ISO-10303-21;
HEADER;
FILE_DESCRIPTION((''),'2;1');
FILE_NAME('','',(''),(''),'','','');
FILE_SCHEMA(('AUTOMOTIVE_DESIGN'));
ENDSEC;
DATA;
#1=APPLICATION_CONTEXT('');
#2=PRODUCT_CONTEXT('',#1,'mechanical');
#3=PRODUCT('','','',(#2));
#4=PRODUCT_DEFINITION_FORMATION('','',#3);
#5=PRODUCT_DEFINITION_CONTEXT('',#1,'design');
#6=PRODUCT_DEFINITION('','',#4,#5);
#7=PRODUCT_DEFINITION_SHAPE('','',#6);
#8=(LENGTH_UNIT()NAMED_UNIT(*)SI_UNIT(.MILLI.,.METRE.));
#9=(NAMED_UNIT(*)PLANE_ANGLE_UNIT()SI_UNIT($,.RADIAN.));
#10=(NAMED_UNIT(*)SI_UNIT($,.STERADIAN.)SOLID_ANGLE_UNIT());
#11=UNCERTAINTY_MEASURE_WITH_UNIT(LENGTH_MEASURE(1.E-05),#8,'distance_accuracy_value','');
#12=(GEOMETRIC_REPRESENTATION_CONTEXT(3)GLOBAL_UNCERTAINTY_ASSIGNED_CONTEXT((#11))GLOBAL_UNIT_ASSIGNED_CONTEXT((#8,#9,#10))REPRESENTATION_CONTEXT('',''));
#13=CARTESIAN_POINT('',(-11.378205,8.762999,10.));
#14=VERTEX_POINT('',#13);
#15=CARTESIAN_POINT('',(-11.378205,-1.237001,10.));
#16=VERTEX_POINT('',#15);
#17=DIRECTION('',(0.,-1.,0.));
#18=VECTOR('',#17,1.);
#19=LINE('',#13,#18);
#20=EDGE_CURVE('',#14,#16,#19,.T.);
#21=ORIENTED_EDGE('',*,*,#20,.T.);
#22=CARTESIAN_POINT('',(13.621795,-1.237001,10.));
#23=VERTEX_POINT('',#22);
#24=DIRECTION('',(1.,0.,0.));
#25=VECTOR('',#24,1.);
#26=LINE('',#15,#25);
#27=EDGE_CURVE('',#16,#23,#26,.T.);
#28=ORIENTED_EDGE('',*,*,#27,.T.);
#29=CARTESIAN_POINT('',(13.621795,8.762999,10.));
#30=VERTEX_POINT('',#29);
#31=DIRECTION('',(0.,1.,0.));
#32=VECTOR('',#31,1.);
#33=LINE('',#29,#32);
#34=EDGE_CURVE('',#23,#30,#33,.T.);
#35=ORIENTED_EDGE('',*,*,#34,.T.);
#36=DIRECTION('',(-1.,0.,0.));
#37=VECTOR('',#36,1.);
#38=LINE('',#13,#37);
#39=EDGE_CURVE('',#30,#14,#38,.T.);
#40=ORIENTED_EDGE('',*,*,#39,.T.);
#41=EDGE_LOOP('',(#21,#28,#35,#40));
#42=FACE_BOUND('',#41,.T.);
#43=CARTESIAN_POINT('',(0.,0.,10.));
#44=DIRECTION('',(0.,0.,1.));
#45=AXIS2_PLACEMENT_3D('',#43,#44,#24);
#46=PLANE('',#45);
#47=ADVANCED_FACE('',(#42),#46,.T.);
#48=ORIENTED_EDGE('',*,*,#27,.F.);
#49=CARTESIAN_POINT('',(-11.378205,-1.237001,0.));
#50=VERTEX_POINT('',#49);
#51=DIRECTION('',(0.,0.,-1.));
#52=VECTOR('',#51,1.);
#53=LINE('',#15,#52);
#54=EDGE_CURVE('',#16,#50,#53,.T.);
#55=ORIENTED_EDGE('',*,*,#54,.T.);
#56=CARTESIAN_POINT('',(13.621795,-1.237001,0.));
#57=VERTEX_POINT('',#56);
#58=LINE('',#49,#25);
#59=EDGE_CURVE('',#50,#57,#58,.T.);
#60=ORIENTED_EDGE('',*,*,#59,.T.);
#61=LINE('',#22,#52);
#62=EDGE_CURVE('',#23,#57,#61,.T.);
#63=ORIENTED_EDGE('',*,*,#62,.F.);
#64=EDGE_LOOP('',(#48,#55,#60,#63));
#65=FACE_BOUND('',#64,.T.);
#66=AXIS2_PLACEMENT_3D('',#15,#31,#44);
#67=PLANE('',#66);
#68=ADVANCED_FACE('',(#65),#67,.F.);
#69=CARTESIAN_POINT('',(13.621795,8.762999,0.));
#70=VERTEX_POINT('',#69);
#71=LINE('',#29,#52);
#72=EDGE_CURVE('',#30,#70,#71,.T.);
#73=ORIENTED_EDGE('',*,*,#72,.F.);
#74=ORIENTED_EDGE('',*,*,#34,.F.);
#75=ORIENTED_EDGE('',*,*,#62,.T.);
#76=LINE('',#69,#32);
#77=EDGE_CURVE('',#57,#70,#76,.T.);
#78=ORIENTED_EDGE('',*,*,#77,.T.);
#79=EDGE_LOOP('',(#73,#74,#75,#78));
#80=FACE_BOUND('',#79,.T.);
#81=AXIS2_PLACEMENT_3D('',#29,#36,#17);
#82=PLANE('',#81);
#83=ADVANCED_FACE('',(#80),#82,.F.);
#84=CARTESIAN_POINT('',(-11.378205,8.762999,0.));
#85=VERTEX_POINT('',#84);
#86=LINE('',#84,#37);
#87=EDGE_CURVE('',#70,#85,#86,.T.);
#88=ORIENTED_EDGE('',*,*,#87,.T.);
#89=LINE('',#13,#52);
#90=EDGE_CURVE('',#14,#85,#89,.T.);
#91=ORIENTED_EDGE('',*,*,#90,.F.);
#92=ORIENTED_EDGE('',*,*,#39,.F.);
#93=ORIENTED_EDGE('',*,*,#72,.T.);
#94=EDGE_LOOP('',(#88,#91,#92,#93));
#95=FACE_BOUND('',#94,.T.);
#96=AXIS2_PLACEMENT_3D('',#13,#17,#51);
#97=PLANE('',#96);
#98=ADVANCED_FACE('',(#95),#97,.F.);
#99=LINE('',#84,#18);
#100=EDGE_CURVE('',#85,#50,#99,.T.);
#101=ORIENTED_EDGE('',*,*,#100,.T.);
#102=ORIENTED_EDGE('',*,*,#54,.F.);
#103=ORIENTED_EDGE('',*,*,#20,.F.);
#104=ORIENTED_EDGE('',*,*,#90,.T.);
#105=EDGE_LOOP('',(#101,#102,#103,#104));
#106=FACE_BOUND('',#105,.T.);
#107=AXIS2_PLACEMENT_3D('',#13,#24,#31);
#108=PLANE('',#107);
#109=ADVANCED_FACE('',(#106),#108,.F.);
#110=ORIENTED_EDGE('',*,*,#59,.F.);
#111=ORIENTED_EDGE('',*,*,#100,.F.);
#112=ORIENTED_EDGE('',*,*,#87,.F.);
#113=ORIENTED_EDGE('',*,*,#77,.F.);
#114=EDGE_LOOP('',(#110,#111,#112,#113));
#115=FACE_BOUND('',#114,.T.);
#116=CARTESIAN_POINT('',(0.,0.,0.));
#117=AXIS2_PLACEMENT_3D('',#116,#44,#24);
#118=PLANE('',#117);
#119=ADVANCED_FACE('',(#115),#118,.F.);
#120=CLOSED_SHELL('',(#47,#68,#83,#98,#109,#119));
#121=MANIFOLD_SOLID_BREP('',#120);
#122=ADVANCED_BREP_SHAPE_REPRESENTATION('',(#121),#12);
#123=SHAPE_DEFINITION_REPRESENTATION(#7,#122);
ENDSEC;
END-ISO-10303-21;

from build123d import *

# Parameters (mm, degrees)
SKETCH_1_W      = 25
SKETCH_1_H      = 10
EXTRUDE_1_DEPTH = 10


with BuildPart() as part:
    # 草图1 → 凸台-拉伸1 (new body)
    with BuildSketch(Plane.XY):
        with Locations((1.121794872, 3.762999132)):
            Rectangle(SKETCH_1_W, SKETCH_1_H)
    extrude(amount=EXTRUDE_1_DEPTH)


solid = part.part
